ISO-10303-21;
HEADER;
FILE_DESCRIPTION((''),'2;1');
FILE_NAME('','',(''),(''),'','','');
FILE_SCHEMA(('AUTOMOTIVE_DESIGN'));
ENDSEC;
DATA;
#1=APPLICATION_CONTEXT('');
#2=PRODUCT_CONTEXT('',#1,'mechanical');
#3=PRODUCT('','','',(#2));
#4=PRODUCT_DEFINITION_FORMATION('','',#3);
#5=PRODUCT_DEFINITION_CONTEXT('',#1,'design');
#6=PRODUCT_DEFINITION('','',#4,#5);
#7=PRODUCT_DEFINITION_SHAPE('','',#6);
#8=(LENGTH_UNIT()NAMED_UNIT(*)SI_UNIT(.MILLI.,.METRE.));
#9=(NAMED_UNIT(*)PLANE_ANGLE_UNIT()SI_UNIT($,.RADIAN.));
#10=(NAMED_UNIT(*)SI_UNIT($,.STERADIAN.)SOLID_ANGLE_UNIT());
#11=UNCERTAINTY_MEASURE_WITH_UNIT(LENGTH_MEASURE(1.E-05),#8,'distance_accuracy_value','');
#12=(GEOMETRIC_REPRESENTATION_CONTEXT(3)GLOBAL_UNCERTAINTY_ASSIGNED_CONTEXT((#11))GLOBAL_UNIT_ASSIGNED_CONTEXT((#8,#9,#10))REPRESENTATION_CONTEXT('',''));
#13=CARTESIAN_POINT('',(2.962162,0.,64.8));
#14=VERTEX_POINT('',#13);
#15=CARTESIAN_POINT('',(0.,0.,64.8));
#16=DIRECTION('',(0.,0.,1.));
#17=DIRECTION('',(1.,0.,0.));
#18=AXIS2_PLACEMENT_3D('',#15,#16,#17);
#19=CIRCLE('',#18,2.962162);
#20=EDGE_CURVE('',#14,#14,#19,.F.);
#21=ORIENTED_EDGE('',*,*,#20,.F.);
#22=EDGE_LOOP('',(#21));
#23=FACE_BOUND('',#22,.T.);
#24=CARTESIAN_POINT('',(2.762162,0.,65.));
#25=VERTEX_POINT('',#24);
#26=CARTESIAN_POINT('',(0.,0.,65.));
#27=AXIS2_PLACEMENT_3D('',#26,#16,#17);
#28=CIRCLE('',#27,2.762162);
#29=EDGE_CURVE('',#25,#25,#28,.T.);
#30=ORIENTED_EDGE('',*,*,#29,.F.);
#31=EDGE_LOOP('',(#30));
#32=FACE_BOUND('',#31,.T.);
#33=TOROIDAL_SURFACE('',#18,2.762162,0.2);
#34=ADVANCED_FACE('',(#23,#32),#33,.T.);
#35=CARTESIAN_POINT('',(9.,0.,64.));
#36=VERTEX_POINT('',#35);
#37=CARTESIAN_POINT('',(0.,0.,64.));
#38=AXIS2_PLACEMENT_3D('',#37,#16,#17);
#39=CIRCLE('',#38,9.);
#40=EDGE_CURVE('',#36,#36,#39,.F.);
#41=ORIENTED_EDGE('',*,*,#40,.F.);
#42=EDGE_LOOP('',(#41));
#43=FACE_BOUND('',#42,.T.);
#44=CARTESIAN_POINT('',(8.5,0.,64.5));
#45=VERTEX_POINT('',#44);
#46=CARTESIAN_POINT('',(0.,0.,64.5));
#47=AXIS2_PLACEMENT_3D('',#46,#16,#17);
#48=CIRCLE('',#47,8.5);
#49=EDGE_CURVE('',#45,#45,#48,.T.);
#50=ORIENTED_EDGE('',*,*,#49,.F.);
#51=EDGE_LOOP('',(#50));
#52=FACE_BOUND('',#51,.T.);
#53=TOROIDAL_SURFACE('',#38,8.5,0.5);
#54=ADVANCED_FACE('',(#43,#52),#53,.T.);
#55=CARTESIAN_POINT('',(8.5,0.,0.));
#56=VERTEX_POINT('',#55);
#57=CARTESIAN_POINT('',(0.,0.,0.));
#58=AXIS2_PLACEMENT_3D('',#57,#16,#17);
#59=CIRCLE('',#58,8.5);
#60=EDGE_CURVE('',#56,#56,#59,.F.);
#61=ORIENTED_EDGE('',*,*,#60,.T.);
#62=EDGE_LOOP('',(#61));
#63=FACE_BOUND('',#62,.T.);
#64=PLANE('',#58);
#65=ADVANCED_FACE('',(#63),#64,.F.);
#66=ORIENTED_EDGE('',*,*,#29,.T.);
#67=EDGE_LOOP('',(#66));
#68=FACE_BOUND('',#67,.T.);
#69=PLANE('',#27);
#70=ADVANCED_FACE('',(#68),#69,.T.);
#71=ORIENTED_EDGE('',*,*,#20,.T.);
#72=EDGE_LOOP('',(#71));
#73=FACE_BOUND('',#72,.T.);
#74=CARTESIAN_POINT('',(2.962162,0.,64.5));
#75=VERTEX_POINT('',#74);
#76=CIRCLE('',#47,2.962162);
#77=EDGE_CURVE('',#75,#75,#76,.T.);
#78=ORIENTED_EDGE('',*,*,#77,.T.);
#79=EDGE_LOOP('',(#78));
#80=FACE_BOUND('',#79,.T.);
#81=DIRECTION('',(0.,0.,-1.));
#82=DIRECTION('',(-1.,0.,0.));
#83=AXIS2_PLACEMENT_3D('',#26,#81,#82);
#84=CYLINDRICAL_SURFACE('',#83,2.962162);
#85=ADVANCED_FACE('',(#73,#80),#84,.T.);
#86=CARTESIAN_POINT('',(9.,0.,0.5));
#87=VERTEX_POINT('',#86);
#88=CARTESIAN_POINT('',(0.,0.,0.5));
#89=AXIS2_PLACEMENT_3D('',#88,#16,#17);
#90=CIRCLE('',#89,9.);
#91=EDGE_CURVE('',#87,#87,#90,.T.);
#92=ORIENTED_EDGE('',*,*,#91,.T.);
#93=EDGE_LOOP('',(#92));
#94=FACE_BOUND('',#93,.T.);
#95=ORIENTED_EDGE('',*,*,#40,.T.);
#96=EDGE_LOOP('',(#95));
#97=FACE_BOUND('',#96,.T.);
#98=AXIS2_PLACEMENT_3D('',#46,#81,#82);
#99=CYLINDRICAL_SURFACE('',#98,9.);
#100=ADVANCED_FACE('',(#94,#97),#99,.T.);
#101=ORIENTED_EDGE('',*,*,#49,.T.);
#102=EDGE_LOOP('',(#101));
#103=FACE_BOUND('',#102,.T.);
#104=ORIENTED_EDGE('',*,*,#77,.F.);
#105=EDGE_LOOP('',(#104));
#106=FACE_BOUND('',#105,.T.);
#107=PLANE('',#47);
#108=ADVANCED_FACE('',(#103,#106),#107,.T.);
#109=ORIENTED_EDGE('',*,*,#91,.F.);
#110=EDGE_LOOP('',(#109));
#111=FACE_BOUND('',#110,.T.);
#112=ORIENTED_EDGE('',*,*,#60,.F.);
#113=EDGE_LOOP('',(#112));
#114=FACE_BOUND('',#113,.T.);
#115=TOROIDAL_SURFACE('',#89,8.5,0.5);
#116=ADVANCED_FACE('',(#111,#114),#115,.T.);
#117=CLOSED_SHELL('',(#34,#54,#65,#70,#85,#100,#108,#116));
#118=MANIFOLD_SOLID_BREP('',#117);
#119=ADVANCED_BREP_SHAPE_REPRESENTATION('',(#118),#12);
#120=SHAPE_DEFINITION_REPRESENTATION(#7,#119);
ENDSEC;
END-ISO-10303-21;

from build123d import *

# Parameters (mm, degrees)
SKETCH1_R           = 9
BOSS_EXTRUDE1_DEPTH = 64.5
FILLET1_R           = 0.5
SKETCH2_R           = 2.962162188
BOSS_EXTRUDE2_DEPTH = 0.5
FILLET2_R           = 0.2


with BuildPart() as part:
    # Sketch1 → Boss-Extrude1 (new body)
    with BuildSketch(Plane.XY):
        Circle(SKETCH1_R)
    extrude(amount=BOSS_EXTRUDE1_DEPTH)

    # Fillet1
    fillet1_edges = [part.edges().sort_by_distance(p)[0] for p in [
        (-9, 0, 0),
        (-9, 0, 64.5),
    ]]
    fillet(fillet1_edges, radius=FILLET1_R)

    # Sketch2 → Boss-Extrude2 (add)
    with BuildSketch(Plane.XY.offset(64.5)):
        Circle(SKETCH2_R)
    extrude(amount=BOSS_EXTRUDE2_DEPTH)

    # Fillet2
    fillet2_edges = [part.edges().sort_by_distance(p)[0] for p in [
        (-2.962162188, 0, 65),
    ]]
    fillet(fillet2_edges, radius=FILLET2_R)


solid = part.part
